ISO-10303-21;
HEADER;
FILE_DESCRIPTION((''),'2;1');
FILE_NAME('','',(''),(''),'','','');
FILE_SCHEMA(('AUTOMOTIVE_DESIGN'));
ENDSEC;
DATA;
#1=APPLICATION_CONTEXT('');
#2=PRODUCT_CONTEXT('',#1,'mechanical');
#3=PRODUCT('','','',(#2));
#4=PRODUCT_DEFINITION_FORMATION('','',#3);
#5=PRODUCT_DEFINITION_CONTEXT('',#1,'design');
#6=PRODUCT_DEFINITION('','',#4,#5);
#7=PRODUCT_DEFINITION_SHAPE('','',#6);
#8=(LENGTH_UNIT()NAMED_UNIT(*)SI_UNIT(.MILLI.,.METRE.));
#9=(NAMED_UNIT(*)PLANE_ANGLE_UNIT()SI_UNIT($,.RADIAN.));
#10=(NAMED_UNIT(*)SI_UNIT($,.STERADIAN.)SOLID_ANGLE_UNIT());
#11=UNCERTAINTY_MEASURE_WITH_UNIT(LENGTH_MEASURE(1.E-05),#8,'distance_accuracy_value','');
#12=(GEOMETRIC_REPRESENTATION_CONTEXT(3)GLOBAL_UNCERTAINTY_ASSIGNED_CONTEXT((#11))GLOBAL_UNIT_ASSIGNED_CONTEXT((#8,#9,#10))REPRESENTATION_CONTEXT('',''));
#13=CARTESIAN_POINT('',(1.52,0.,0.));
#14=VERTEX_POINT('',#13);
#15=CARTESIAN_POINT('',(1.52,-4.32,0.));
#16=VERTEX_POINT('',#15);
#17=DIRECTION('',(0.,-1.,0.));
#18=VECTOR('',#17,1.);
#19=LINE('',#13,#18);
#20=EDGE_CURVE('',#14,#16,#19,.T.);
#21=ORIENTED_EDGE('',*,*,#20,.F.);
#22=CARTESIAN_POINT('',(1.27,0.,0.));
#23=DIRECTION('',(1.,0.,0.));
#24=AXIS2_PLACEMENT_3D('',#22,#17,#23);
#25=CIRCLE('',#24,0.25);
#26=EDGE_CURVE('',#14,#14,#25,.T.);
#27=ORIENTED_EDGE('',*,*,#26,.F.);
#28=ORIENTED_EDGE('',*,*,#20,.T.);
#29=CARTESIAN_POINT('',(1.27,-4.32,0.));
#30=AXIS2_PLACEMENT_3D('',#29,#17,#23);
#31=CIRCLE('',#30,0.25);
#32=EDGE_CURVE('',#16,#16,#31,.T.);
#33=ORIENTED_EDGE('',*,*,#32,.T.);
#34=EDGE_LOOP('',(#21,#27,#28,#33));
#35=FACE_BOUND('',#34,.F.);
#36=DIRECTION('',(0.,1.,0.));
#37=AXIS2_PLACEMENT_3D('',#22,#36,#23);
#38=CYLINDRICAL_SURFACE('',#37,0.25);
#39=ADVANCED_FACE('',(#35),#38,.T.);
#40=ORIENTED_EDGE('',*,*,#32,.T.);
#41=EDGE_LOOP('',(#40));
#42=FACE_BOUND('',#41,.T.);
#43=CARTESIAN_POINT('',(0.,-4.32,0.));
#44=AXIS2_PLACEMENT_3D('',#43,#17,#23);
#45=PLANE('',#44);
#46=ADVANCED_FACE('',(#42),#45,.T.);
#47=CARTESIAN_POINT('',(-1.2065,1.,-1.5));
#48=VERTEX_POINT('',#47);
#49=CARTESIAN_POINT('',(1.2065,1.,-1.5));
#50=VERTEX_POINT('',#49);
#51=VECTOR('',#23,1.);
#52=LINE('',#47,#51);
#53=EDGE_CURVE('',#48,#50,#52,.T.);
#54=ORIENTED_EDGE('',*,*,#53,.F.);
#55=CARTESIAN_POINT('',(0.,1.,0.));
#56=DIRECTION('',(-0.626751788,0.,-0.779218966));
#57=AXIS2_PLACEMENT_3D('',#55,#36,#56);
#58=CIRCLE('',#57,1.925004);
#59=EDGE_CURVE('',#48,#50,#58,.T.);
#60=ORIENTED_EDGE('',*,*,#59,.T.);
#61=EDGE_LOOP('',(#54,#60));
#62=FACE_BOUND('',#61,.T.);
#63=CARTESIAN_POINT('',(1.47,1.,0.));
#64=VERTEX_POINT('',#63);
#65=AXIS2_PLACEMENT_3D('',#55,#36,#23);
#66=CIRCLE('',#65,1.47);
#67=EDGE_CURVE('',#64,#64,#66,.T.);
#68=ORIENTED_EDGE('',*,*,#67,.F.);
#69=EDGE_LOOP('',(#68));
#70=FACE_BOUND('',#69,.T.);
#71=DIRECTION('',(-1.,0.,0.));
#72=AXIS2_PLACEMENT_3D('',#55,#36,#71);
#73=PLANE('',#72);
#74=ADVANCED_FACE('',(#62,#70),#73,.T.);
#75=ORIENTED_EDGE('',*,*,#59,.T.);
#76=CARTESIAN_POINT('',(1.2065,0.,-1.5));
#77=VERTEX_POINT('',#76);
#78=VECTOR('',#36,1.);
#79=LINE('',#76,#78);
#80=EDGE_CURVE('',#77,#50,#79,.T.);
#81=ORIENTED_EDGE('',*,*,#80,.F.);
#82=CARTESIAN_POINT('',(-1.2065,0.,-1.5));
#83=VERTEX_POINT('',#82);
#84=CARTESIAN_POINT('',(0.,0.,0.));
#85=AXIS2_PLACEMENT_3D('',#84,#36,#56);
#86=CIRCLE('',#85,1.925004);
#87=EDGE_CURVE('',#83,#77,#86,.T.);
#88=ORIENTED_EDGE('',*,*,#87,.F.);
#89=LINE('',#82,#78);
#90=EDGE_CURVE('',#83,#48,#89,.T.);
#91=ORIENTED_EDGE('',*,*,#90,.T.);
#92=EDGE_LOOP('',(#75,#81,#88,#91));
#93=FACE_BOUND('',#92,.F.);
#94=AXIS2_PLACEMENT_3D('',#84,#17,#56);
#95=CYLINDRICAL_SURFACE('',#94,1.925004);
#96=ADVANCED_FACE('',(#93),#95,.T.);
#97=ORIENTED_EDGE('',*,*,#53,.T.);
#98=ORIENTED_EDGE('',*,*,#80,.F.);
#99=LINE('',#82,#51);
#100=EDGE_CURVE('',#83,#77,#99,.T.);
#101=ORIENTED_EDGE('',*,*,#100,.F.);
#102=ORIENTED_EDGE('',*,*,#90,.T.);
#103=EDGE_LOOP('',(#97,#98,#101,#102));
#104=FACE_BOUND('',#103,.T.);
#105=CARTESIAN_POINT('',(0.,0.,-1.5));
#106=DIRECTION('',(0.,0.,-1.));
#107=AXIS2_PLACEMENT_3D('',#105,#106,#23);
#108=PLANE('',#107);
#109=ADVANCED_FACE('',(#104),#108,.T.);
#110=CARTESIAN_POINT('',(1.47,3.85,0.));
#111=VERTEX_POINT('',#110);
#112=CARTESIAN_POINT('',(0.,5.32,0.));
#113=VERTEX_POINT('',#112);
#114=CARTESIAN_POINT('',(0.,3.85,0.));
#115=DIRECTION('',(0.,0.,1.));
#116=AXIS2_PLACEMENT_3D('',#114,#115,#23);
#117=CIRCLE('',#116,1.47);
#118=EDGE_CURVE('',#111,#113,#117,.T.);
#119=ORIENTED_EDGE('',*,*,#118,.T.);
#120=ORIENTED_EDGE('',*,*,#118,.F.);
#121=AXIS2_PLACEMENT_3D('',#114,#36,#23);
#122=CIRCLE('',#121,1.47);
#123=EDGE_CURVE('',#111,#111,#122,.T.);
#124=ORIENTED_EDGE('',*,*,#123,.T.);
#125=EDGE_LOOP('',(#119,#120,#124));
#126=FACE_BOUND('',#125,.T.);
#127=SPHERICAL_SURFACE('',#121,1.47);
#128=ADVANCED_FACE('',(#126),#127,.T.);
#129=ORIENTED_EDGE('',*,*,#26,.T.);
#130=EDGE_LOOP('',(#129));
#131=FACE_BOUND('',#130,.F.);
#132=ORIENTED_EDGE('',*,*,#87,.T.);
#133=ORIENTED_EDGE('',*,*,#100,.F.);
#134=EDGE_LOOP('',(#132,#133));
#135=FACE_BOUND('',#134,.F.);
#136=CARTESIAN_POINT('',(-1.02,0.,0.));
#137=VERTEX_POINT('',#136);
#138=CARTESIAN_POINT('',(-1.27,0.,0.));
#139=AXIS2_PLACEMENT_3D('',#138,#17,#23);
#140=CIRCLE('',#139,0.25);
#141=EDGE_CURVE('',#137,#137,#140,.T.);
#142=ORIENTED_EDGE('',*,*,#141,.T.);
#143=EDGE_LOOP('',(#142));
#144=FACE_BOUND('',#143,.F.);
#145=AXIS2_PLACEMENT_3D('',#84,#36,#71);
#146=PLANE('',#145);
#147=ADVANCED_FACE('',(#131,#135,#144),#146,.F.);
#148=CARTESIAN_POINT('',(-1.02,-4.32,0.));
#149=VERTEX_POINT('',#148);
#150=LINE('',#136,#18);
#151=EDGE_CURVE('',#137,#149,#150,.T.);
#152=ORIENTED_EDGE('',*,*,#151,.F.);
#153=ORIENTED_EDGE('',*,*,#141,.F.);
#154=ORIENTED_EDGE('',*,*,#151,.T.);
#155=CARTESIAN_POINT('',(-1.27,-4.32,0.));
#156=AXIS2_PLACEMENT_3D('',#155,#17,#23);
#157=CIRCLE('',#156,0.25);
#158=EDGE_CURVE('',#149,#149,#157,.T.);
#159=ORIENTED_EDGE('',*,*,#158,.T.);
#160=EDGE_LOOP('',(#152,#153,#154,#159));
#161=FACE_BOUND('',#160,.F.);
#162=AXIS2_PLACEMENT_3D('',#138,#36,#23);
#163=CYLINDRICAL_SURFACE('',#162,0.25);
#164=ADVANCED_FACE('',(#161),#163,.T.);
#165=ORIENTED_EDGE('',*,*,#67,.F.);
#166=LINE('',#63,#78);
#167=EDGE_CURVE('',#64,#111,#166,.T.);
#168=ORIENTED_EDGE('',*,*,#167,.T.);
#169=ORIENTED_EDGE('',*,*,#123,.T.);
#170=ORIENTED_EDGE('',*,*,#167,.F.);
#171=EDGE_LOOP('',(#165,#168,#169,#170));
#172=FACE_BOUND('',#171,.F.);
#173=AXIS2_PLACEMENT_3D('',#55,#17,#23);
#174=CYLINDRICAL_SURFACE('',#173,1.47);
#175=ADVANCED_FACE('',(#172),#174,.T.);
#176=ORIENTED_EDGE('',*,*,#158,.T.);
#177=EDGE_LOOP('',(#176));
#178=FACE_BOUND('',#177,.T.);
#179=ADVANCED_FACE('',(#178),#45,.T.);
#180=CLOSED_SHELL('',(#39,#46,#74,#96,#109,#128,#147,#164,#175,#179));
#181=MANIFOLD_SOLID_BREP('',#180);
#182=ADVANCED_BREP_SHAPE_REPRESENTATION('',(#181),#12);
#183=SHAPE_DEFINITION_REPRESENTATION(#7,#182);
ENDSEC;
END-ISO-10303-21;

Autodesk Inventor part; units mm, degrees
ref_plane "YZ Plane" through (0, 0, 0) normal (1, 0, 0) x (0, 1, 0)
ref_plane "XZ Plane" through (0, 0, 0) normal (0, 1, 0) x (-1, 0, 0)
ref_plane "XY Plane" through (0, 0, 0) normal (0, 0, 1) x (1, 0, 0)
sketch "Sketch1" plane through (0, 0, 0) normal (0, 1, 0) x (-1, 0, 0)
  arc A0 (1.2065, -1.5) -> (-1.2065, -1.5) centre (0, 0) ccw
  circle A1 centre (0, 0) radius 1.5
  line L0 (0, -1.5) -> (1.2065, -1.5)
  line L1 (0, -1.5) -> (-1.2065, -1.5)
  dimension "d1" = 3
  dimension "d0" = 3.85
extrude "Extrusion1" add sketch "Sketch1" along normal blind 1 contours A1 | L0 L1 A0
sketch "Sketch2" plane through (0, 1, 0) normal (0, 1, 0) x (1, 0, 0)
  arc A0 (-1.2065, 1.5) -> (1.2065, 1.5) centre (0, 0) ccw projected
  circle A1 centre (0, 0) radius 1.47
  dimension "d4" = 2.94
extrude "Extrusion2" add sketch "Sketch2" along normal blind 4.32
fillet "Fillet1" radius 1.47 1 edges at (-1.47, 5.32, 0)
sketch "Sketch3" plane through (0, 0, 0) normal (0, -1, 0) x (1, 0, 0)
  circle A0 centre (1.27, 0) radius 0.25
  circle A1 centre (-1.27, 0) radius 0.25
  point P0 (0, 0)
  dimension "d8" = 0.5
  dimension "d9" = 0.5
  dimension "d10" = 1.27
  dimension "d11" = 1.27
extrude "Extrusion3" add sketch "Sketch3" along normal blind 4.32
properties part number "3mm_LED"
